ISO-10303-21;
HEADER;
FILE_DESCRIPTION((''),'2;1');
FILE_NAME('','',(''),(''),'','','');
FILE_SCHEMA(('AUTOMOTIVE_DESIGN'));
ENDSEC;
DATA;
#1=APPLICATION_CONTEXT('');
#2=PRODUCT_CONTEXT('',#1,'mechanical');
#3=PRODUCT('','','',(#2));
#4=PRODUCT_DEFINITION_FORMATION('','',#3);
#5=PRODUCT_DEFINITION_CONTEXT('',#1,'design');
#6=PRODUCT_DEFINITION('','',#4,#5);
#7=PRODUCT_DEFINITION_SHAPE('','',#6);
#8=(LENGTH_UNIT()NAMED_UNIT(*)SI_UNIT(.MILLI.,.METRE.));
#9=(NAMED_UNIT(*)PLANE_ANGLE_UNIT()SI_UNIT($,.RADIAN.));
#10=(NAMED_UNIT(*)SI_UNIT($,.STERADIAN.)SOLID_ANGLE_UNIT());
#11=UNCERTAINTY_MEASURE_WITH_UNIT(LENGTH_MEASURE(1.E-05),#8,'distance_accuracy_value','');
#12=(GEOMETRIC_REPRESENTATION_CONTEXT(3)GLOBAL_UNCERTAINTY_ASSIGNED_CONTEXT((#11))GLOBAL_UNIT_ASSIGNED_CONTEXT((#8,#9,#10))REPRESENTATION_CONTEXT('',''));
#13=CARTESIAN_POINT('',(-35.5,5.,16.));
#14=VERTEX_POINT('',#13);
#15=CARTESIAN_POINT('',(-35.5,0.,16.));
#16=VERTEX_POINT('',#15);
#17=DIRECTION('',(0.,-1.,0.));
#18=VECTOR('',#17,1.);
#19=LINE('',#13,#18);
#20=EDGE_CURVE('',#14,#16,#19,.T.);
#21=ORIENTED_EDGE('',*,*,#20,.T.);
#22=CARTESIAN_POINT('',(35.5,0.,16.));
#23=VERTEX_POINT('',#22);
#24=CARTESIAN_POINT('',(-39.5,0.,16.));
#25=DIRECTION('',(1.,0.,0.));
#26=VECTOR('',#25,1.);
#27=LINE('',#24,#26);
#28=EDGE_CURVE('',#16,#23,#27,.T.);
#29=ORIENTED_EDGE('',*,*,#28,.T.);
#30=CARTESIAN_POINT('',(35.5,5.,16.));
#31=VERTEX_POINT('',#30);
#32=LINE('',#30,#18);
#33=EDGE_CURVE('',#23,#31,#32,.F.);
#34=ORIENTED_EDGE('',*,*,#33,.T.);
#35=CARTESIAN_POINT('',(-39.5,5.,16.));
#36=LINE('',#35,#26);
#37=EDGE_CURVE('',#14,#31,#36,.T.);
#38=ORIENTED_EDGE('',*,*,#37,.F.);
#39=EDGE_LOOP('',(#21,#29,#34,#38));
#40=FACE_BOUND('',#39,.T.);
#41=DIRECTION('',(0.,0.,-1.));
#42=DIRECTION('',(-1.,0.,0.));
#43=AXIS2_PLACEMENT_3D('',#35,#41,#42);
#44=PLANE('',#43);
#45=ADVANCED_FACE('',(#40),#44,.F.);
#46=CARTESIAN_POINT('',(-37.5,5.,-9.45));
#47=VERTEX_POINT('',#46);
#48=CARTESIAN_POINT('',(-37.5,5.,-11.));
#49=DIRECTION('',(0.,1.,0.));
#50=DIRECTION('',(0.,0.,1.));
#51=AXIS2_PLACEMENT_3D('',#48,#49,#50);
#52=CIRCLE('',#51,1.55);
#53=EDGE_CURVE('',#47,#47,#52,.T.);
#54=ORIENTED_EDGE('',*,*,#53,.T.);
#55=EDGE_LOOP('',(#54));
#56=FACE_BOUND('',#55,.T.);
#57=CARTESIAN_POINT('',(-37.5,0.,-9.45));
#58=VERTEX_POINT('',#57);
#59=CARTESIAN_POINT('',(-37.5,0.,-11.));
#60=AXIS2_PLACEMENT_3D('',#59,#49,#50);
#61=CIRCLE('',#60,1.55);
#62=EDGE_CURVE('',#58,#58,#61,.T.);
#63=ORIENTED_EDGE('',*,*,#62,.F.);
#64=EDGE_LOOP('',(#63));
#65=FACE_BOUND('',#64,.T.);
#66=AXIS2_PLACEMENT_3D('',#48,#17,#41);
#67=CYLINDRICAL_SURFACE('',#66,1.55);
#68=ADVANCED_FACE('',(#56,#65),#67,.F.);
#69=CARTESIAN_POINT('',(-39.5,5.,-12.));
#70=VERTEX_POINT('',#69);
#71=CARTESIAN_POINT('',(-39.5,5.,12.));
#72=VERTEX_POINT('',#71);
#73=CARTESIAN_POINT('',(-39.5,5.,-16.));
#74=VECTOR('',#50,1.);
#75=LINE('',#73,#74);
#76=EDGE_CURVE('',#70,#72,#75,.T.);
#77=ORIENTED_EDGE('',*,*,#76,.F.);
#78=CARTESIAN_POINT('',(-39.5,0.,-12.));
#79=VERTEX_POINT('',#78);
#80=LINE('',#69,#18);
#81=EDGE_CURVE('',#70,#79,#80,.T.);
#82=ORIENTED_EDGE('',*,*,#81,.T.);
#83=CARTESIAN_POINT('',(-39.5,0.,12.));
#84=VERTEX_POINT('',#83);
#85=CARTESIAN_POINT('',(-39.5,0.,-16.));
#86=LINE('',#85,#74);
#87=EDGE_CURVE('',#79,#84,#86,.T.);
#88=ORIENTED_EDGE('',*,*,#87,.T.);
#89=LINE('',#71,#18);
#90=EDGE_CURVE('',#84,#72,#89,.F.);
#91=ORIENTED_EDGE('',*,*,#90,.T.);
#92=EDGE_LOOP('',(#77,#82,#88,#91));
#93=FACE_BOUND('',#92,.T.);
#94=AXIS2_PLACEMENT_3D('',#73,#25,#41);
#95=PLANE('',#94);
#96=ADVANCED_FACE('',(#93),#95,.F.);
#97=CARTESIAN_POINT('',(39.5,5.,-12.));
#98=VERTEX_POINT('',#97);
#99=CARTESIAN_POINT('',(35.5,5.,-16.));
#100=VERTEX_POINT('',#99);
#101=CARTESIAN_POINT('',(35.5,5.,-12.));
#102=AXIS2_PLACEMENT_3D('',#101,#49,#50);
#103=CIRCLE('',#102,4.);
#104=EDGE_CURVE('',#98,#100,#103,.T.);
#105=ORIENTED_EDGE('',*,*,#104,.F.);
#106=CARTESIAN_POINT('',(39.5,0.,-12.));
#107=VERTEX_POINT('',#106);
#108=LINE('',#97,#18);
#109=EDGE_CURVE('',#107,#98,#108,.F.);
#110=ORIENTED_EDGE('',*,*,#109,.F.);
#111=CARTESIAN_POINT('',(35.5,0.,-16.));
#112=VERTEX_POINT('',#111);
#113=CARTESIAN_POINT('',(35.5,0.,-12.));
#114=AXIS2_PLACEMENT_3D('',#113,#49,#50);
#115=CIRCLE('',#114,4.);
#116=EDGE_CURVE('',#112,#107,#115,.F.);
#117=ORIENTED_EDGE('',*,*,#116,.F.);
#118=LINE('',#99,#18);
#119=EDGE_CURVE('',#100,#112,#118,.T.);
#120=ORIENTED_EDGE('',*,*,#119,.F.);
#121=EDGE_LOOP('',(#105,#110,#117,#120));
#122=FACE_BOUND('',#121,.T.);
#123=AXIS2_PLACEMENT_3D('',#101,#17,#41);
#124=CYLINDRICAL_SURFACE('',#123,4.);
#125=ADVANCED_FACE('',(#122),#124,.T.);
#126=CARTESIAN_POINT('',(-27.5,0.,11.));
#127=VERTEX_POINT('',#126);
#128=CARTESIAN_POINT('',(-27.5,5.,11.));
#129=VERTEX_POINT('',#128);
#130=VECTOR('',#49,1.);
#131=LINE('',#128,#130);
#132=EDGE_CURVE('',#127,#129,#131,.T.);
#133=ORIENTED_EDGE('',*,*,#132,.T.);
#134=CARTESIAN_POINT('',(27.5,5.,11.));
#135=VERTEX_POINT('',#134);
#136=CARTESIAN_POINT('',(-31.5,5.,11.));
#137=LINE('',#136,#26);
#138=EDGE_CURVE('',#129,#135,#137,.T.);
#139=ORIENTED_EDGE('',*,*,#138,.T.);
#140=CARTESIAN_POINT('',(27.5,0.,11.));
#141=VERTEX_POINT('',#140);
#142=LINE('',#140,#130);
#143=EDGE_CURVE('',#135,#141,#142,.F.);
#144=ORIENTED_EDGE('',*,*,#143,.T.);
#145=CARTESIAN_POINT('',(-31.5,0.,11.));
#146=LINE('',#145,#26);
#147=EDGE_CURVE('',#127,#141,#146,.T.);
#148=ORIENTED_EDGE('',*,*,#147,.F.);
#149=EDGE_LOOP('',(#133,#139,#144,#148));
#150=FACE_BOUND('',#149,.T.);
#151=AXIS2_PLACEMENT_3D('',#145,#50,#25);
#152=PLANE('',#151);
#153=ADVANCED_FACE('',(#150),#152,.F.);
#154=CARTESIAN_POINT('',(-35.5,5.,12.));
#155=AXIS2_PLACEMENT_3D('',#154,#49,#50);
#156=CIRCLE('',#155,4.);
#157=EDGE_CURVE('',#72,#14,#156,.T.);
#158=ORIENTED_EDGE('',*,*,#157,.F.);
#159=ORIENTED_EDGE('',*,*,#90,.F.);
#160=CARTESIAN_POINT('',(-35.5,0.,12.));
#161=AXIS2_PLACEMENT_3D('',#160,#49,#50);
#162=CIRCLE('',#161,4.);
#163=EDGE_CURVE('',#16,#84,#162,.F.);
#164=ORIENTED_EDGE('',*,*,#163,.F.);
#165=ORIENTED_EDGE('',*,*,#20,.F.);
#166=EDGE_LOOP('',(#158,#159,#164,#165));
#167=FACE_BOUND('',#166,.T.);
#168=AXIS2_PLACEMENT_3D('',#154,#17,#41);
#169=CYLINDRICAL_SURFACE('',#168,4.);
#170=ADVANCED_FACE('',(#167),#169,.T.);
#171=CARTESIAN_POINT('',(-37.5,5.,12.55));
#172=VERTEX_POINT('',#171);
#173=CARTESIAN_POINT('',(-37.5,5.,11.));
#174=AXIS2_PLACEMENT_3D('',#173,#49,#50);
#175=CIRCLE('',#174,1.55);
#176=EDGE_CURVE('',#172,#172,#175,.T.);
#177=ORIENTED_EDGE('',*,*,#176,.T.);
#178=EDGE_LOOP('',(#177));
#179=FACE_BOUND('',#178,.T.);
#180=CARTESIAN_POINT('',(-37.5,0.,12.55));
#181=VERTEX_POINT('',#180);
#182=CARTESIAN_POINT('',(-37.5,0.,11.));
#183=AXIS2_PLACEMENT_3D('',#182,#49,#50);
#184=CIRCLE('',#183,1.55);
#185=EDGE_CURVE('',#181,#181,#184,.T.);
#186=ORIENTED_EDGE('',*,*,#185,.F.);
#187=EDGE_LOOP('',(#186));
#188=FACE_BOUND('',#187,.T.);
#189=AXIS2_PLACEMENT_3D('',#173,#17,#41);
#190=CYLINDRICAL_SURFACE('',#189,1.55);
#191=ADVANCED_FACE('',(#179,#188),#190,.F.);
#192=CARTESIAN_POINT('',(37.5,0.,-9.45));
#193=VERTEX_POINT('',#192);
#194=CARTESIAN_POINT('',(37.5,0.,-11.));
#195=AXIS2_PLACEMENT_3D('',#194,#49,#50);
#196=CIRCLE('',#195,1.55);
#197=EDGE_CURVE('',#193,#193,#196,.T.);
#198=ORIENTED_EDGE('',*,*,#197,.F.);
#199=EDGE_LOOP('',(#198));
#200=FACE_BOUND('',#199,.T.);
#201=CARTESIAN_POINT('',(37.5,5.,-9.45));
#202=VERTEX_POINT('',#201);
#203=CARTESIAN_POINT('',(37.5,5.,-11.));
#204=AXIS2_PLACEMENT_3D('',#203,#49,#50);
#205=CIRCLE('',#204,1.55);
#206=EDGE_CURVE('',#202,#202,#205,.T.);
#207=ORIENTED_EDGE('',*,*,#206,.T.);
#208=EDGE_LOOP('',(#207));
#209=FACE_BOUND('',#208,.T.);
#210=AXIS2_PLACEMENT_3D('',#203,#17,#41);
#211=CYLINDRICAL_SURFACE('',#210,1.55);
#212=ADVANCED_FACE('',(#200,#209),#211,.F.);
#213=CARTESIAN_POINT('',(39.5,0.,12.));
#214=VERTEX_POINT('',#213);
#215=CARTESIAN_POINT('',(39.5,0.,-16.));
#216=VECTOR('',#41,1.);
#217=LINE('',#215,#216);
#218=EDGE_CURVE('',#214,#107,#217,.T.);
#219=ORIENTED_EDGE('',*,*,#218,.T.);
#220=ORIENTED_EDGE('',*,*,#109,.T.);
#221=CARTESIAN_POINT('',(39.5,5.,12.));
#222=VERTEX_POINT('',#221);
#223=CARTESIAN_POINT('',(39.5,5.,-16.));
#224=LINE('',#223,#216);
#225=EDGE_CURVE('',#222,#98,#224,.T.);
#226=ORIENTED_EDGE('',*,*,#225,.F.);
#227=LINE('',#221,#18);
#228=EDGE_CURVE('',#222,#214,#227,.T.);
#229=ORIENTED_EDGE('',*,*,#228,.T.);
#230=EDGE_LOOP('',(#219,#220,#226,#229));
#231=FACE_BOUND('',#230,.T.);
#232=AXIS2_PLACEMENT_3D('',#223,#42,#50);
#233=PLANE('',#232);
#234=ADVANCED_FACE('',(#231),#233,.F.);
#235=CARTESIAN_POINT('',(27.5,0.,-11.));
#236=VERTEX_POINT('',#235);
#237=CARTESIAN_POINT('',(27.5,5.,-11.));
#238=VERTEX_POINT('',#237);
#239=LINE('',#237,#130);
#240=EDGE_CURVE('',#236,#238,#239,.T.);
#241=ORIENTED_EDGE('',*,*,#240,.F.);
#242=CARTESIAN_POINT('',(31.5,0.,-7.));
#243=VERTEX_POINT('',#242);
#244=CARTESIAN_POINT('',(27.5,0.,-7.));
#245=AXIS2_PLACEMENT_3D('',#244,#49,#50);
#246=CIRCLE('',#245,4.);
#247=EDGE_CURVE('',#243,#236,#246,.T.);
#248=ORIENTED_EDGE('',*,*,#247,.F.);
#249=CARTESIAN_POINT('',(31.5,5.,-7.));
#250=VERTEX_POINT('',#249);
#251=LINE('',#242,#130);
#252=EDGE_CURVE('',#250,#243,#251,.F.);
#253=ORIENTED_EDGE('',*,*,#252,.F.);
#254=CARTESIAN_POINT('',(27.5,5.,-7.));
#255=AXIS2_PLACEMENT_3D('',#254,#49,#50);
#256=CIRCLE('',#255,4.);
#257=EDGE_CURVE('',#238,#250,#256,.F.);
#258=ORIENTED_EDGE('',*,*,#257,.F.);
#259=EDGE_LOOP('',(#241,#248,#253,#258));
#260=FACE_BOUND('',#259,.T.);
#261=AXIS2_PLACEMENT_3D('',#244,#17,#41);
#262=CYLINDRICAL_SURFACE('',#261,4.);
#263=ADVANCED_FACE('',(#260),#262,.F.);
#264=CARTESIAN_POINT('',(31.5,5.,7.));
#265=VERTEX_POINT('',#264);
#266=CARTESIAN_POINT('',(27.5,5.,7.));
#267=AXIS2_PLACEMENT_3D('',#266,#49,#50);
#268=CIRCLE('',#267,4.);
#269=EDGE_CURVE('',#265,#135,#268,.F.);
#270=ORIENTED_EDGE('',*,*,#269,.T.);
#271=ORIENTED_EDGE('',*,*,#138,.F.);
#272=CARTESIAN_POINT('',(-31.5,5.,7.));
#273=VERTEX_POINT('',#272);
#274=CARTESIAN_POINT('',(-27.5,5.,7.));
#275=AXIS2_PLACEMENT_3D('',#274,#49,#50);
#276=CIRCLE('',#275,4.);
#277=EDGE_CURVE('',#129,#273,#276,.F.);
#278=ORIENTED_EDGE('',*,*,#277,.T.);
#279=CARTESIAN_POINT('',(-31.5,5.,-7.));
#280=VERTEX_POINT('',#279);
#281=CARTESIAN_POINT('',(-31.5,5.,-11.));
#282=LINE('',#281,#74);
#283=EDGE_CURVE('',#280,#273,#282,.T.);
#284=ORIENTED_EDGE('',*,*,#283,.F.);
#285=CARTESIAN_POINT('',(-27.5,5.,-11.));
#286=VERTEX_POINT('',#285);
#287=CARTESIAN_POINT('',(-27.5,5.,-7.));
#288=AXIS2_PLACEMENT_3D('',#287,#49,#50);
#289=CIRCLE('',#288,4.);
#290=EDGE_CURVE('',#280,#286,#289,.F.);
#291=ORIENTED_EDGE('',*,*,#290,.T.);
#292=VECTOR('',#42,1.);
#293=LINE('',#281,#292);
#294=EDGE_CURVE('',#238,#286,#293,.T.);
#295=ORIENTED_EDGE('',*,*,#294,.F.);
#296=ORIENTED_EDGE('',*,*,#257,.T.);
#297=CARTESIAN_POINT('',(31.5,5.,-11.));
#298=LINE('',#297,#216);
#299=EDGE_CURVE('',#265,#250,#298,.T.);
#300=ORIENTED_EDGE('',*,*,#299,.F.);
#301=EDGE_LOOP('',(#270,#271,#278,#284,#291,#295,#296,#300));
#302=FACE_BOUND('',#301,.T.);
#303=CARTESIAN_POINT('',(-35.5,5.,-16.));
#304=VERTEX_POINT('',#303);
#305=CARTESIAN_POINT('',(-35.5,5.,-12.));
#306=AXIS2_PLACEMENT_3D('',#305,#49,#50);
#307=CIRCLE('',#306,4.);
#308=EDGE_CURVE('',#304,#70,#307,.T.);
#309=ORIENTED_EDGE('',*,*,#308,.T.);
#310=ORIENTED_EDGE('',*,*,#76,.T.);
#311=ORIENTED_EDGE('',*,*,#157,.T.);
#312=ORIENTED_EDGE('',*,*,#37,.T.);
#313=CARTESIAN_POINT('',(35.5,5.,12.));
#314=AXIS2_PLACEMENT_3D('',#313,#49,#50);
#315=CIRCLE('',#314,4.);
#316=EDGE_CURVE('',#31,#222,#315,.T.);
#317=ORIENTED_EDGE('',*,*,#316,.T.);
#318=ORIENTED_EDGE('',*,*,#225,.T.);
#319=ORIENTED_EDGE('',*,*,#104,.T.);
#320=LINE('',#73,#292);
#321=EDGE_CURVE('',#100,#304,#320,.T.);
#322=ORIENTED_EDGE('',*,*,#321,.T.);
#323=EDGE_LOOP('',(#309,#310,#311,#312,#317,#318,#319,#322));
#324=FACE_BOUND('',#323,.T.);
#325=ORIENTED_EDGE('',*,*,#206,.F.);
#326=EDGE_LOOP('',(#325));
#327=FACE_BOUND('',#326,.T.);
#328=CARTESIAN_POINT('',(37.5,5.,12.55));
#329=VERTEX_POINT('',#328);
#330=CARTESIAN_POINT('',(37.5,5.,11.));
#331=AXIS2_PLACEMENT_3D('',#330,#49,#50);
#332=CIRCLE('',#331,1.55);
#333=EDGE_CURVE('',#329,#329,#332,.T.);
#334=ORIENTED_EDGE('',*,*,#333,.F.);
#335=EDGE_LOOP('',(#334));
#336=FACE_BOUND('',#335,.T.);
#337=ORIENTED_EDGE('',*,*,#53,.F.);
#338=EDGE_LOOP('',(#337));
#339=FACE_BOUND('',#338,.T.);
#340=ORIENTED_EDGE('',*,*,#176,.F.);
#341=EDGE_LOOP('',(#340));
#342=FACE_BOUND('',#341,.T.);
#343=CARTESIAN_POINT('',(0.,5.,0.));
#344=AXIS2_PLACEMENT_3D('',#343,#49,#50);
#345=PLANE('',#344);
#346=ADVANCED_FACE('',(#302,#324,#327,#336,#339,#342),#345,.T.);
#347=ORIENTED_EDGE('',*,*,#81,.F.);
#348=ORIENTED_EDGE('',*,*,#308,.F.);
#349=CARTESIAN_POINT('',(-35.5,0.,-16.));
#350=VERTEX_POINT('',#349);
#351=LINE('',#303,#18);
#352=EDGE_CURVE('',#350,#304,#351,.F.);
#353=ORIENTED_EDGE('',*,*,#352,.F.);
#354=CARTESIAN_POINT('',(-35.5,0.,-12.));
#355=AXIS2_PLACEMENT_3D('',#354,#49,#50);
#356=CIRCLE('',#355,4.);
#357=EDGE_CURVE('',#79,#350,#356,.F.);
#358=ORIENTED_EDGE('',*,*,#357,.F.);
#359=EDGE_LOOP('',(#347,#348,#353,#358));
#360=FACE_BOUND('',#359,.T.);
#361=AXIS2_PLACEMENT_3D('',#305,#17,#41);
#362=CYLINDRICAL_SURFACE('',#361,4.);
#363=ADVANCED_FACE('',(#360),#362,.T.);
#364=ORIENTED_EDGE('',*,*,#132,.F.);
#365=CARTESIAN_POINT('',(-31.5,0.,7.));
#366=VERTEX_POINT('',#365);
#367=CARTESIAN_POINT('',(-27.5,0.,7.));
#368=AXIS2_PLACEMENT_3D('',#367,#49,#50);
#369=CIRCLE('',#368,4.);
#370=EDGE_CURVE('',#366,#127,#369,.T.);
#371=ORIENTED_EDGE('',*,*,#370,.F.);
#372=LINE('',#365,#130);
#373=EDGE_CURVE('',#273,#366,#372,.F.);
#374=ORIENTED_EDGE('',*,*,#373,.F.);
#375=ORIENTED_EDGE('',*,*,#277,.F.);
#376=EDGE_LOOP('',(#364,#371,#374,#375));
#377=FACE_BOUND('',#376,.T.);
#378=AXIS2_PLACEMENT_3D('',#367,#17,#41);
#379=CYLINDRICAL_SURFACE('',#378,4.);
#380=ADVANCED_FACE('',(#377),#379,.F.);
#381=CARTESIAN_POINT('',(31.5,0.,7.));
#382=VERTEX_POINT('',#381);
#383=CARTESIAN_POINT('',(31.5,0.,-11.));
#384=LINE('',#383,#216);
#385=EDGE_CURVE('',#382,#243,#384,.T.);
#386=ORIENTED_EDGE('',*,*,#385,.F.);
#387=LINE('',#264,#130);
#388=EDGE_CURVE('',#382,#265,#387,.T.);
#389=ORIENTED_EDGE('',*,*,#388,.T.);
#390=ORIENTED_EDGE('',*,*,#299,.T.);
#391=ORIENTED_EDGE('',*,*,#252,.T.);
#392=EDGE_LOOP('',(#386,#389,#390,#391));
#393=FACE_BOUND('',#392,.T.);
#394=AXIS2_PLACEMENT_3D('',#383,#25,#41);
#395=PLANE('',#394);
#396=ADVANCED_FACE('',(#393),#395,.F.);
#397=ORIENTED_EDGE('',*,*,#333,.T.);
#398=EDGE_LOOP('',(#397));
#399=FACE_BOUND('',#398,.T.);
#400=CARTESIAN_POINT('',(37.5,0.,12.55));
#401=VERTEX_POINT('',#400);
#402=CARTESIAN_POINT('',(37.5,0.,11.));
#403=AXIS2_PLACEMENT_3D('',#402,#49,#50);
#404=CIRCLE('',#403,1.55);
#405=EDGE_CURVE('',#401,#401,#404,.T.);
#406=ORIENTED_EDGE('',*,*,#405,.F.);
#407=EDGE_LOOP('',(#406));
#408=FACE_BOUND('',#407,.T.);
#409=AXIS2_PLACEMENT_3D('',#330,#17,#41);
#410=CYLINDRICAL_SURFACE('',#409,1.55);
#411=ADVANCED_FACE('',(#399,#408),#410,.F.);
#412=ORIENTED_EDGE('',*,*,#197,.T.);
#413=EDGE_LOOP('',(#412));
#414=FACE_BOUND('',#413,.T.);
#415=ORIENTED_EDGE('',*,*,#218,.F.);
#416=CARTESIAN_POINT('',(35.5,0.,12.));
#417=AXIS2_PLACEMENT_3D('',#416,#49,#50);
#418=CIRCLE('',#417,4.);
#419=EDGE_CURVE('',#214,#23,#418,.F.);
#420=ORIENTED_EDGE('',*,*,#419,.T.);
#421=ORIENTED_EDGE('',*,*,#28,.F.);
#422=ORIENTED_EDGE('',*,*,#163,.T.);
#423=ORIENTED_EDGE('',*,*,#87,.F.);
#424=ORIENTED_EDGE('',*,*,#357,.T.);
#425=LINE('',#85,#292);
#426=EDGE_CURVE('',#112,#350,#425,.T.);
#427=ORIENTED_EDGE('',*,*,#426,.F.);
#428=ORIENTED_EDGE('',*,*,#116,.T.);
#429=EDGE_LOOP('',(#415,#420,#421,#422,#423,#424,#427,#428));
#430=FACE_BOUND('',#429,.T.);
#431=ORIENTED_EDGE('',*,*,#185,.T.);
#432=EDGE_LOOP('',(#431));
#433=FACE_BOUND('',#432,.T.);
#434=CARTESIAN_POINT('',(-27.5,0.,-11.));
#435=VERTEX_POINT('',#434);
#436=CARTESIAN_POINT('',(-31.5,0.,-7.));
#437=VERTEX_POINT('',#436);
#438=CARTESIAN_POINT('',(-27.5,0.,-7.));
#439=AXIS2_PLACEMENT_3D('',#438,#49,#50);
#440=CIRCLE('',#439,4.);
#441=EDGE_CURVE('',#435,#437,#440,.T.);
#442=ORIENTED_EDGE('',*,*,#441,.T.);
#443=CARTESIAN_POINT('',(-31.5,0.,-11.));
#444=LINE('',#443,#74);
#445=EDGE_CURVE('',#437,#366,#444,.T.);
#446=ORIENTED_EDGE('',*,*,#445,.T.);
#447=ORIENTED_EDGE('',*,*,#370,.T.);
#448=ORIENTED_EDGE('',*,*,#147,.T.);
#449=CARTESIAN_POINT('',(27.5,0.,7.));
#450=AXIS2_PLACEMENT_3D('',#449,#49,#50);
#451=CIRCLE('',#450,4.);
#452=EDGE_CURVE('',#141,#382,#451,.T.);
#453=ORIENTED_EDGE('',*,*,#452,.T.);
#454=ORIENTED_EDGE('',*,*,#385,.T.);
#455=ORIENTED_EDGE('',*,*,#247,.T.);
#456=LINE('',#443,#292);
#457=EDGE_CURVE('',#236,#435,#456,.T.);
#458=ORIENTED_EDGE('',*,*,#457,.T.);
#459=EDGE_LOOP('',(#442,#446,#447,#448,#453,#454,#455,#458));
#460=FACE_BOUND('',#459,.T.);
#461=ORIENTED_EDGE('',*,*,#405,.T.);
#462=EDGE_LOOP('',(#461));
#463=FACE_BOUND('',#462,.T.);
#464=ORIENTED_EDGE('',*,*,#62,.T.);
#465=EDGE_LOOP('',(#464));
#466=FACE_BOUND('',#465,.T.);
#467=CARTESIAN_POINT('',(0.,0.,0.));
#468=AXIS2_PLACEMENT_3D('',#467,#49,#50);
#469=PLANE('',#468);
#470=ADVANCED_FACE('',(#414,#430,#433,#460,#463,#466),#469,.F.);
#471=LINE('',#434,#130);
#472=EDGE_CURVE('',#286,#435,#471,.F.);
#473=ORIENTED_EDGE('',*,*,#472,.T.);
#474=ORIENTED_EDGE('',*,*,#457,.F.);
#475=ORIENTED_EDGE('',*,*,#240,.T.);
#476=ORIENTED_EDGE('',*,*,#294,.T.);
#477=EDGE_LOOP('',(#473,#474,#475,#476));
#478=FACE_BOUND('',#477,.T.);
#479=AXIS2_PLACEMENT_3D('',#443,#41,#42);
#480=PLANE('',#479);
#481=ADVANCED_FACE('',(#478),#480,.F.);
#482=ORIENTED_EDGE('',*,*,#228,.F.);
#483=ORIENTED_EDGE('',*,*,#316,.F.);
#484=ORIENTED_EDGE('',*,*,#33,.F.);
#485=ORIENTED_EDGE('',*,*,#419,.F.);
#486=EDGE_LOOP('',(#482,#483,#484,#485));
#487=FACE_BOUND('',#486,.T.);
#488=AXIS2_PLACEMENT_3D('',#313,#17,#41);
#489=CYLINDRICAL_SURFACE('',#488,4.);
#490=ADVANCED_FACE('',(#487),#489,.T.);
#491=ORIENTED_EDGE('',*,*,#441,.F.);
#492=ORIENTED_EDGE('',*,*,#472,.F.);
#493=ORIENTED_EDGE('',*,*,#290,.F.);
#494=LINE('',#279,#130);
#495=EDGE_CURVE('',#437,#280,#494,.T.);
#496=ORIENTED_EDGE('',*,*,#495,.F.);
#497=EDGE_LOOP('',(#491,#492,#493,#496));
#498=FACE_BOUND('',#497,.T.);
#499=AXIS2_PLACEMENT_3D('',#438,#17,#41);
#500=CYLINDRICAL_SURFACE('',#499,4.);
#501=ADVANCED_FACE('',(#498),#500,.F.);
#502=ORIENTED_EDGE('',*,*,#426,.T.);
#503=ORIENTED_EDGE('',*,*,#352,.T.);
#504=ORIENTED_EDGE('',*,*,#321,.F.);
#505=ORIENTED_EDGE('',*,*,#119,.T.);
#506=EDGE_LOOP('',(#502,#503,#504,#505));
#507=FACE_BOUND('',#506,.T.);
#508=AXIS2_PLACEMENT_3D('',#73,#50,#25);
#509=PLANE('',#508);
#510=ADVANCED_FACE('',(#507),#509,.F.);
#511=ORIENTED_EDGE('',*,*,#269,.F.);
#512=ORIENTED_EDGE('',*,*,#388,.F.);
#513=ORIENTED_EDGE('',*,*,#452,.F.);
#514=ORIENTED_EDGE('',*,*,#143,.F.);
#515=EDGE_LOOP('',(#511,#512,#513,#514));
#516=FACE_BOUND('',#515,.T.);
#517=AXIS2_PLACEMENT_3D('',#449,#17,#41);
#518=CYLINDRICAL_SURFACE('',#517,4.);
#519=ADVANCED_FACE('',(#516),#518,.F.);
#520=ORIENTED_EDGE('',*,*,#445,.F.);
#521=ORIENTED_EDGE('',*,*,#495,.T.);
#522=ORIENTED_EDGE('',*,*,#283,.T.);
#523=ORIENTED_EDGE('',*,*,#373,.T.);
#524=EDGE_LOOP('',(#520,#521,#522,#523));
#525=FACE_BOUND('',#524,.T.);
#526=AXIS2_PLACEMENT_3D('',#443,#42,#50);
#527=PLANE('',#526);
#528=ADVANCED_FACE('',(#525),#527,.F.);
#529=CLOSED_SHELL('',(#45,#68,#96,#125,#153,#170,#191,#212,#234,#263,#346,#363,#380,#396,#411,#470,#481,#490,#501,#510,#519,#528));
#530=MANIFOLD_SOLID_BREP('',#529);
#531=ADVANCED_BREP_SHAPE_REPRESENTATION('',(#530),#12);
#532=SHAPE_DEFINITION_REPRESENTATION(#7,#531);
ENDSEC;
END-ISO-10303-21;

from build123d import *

# Parameters (mm, degrees)
SKETCH_1_W          = 79
SKETCH_1_H          = 32
SKETCH_1_R          = 1.55
EXTRUDE_1_DEPTH     = 5
FILLET_1_R          = 4
SKETCH_2_W          = 63
SKETCH_2_H          = 22
CUT_EXTRUDE_1_DEPTH = 6
FILLET_2_R          = 4


with BuildPart() as part:
    # 草图1 → 凸台-拉伸1 (new body)
    with BuildSketch(Plane(origin=(0, 0, 0), x_dir=(1, 0, 0), z_dir=(0, 1, 0))):
        Rectangle(SKETCH_1_W, SKETCH_1_H)
        with Locations((-37.5, 11)):
            Circle(SKETCH_1_R, mode=Mode.SUBTRACT)
        with Locations((-37.5, -11)):
            Circle(SKETCH_1_R, mode=Mode.SUBTRACT)
        with Locations((37.5, 11)):
            Circle(SKETCH_1_R, mode=Mode.SUBTRACT)
        with Locations((37.5, -11)):
            Circle(SKETCH_1_R, mode=Mode.SUBTRACT)
    extrude(amount=EXTRUDE_1_DEPTH)

    # 圆角1
    fillet_1_edges = [part.edges().sort_by_distance(p)[0] for p in [
        (39.5, 2.5, 16),
        (-39.5, 2.5, 16),
        (-39.5, 2.5, -16),
        (39.5, 2.5, -16),
    ]]
    fillet(fillet_1_edges, radius=FILLET_1_R)

    # 草图2 → 切除-拉伸1 (cut, through all)
    with BuildSketch(Plane(origin=(0, 5, 0), x_dir=(1, 0, 0), z_dir=(0, 1, 0))):
        Rectangle(SKETCH_2_W, SKETCH_2_H)
    extrude(amount=-CUT_EXTRUDE_1_DEPTH, mode=Mode.SUBTRACT)

    # 圆角2
    fillet_2_edges = [part.edges().sort_by_distance(p)[0] for p in [
        (31.5, 2.5, -11),
        (31.5, 2.5, 11),
        (-31.5, 2.5, 11),
        (-31.5, 2.5, -11),
    ]]
    fillet(fillet_2_edges, radius=FILLET_2_R)


solid = part.part
